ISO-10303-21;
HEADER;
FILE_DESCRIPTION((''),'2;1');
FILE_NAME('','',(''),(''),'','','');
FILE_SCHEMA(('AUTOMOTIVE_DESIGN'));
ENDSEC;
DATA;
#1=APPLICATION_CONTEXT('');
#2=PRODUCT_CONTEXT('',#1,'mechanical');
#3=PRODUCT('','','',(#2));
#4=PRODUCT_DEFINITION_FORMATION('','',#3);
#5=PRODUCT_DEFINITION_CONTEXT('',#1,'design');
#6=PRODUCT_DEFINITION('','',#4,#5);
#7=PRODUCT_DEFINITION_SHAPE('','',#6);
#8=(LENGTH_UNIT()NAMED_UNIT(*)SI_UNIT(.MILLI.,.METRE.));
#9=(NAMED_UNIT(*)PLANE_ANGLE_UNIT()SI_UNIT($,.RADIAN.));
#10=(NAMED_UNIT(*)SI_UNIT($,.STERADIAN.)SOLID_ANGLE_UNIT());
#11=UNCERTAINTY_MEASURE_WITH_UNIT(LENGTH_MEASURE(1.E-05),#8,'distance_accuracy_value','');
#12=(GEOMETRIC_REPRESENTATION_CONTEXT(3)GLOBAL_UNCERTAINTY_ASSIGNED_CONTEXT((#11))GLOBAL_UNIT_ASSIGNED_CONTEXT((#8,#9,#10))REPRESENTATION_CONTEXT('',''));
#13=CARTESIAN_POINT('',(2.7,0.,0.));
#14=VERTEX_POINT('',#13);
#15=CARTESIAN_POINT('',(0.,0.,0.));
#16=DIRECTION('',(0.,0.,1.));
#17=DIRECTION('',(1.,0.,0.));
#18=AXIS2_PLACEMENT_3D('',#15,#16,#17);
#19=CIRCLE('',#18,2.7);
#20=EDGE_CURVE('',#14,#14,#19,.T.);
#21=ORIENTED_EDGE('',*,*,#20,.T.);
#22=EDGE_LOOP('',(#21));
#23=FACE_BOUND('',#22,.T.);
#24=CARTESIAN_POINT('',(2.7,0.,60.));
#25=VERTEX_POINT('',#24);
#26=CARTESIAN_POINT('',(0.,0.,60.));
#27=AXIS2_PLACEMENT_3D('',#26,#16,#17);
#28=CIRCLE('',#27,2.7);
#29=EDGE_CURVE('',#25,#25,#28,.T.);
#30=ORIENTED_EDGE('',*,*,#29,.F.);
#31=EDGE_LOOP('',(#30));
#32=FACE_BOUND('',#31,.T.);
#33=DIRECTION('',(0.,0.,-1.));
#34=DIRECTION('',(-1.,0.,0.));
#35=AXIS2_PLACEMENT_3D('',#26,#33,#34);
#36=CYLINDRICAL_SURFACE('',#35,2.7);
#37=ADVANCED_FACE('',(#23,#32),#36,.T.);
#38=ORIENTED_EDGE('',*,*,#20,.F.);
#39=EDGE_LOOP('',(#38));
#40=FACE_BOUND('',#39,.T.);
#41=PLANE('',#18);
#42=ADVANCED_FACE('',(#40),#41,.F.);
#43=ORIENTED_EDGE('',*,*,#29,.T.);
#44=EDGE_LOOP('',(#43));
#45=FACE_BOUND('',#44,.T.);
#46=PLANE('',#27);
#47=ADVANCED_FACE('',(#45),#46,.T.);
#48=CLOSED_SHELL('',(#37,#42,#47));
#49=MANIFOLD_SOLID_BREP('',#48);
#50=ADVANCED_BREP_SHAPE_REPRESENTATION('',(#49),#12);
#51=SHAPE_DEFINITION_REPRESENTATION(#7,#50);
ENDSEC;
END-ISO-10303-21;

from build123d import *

# Parameters (mm, degrees)
ESBO_O1_R                = 2.7
RESSALTO_EXTRUS_O1_DEPTH = 60


with BuildPart() as part:
    # Esboço1 → Ressalto-extrusão1 (new body)
    with BuildSketch(Plane.XY):
        Circle(ESBO_O1_R)
    extrude(amount=RESSALTO_EXTRUS_O1_DEPTH)


solid = part.part
